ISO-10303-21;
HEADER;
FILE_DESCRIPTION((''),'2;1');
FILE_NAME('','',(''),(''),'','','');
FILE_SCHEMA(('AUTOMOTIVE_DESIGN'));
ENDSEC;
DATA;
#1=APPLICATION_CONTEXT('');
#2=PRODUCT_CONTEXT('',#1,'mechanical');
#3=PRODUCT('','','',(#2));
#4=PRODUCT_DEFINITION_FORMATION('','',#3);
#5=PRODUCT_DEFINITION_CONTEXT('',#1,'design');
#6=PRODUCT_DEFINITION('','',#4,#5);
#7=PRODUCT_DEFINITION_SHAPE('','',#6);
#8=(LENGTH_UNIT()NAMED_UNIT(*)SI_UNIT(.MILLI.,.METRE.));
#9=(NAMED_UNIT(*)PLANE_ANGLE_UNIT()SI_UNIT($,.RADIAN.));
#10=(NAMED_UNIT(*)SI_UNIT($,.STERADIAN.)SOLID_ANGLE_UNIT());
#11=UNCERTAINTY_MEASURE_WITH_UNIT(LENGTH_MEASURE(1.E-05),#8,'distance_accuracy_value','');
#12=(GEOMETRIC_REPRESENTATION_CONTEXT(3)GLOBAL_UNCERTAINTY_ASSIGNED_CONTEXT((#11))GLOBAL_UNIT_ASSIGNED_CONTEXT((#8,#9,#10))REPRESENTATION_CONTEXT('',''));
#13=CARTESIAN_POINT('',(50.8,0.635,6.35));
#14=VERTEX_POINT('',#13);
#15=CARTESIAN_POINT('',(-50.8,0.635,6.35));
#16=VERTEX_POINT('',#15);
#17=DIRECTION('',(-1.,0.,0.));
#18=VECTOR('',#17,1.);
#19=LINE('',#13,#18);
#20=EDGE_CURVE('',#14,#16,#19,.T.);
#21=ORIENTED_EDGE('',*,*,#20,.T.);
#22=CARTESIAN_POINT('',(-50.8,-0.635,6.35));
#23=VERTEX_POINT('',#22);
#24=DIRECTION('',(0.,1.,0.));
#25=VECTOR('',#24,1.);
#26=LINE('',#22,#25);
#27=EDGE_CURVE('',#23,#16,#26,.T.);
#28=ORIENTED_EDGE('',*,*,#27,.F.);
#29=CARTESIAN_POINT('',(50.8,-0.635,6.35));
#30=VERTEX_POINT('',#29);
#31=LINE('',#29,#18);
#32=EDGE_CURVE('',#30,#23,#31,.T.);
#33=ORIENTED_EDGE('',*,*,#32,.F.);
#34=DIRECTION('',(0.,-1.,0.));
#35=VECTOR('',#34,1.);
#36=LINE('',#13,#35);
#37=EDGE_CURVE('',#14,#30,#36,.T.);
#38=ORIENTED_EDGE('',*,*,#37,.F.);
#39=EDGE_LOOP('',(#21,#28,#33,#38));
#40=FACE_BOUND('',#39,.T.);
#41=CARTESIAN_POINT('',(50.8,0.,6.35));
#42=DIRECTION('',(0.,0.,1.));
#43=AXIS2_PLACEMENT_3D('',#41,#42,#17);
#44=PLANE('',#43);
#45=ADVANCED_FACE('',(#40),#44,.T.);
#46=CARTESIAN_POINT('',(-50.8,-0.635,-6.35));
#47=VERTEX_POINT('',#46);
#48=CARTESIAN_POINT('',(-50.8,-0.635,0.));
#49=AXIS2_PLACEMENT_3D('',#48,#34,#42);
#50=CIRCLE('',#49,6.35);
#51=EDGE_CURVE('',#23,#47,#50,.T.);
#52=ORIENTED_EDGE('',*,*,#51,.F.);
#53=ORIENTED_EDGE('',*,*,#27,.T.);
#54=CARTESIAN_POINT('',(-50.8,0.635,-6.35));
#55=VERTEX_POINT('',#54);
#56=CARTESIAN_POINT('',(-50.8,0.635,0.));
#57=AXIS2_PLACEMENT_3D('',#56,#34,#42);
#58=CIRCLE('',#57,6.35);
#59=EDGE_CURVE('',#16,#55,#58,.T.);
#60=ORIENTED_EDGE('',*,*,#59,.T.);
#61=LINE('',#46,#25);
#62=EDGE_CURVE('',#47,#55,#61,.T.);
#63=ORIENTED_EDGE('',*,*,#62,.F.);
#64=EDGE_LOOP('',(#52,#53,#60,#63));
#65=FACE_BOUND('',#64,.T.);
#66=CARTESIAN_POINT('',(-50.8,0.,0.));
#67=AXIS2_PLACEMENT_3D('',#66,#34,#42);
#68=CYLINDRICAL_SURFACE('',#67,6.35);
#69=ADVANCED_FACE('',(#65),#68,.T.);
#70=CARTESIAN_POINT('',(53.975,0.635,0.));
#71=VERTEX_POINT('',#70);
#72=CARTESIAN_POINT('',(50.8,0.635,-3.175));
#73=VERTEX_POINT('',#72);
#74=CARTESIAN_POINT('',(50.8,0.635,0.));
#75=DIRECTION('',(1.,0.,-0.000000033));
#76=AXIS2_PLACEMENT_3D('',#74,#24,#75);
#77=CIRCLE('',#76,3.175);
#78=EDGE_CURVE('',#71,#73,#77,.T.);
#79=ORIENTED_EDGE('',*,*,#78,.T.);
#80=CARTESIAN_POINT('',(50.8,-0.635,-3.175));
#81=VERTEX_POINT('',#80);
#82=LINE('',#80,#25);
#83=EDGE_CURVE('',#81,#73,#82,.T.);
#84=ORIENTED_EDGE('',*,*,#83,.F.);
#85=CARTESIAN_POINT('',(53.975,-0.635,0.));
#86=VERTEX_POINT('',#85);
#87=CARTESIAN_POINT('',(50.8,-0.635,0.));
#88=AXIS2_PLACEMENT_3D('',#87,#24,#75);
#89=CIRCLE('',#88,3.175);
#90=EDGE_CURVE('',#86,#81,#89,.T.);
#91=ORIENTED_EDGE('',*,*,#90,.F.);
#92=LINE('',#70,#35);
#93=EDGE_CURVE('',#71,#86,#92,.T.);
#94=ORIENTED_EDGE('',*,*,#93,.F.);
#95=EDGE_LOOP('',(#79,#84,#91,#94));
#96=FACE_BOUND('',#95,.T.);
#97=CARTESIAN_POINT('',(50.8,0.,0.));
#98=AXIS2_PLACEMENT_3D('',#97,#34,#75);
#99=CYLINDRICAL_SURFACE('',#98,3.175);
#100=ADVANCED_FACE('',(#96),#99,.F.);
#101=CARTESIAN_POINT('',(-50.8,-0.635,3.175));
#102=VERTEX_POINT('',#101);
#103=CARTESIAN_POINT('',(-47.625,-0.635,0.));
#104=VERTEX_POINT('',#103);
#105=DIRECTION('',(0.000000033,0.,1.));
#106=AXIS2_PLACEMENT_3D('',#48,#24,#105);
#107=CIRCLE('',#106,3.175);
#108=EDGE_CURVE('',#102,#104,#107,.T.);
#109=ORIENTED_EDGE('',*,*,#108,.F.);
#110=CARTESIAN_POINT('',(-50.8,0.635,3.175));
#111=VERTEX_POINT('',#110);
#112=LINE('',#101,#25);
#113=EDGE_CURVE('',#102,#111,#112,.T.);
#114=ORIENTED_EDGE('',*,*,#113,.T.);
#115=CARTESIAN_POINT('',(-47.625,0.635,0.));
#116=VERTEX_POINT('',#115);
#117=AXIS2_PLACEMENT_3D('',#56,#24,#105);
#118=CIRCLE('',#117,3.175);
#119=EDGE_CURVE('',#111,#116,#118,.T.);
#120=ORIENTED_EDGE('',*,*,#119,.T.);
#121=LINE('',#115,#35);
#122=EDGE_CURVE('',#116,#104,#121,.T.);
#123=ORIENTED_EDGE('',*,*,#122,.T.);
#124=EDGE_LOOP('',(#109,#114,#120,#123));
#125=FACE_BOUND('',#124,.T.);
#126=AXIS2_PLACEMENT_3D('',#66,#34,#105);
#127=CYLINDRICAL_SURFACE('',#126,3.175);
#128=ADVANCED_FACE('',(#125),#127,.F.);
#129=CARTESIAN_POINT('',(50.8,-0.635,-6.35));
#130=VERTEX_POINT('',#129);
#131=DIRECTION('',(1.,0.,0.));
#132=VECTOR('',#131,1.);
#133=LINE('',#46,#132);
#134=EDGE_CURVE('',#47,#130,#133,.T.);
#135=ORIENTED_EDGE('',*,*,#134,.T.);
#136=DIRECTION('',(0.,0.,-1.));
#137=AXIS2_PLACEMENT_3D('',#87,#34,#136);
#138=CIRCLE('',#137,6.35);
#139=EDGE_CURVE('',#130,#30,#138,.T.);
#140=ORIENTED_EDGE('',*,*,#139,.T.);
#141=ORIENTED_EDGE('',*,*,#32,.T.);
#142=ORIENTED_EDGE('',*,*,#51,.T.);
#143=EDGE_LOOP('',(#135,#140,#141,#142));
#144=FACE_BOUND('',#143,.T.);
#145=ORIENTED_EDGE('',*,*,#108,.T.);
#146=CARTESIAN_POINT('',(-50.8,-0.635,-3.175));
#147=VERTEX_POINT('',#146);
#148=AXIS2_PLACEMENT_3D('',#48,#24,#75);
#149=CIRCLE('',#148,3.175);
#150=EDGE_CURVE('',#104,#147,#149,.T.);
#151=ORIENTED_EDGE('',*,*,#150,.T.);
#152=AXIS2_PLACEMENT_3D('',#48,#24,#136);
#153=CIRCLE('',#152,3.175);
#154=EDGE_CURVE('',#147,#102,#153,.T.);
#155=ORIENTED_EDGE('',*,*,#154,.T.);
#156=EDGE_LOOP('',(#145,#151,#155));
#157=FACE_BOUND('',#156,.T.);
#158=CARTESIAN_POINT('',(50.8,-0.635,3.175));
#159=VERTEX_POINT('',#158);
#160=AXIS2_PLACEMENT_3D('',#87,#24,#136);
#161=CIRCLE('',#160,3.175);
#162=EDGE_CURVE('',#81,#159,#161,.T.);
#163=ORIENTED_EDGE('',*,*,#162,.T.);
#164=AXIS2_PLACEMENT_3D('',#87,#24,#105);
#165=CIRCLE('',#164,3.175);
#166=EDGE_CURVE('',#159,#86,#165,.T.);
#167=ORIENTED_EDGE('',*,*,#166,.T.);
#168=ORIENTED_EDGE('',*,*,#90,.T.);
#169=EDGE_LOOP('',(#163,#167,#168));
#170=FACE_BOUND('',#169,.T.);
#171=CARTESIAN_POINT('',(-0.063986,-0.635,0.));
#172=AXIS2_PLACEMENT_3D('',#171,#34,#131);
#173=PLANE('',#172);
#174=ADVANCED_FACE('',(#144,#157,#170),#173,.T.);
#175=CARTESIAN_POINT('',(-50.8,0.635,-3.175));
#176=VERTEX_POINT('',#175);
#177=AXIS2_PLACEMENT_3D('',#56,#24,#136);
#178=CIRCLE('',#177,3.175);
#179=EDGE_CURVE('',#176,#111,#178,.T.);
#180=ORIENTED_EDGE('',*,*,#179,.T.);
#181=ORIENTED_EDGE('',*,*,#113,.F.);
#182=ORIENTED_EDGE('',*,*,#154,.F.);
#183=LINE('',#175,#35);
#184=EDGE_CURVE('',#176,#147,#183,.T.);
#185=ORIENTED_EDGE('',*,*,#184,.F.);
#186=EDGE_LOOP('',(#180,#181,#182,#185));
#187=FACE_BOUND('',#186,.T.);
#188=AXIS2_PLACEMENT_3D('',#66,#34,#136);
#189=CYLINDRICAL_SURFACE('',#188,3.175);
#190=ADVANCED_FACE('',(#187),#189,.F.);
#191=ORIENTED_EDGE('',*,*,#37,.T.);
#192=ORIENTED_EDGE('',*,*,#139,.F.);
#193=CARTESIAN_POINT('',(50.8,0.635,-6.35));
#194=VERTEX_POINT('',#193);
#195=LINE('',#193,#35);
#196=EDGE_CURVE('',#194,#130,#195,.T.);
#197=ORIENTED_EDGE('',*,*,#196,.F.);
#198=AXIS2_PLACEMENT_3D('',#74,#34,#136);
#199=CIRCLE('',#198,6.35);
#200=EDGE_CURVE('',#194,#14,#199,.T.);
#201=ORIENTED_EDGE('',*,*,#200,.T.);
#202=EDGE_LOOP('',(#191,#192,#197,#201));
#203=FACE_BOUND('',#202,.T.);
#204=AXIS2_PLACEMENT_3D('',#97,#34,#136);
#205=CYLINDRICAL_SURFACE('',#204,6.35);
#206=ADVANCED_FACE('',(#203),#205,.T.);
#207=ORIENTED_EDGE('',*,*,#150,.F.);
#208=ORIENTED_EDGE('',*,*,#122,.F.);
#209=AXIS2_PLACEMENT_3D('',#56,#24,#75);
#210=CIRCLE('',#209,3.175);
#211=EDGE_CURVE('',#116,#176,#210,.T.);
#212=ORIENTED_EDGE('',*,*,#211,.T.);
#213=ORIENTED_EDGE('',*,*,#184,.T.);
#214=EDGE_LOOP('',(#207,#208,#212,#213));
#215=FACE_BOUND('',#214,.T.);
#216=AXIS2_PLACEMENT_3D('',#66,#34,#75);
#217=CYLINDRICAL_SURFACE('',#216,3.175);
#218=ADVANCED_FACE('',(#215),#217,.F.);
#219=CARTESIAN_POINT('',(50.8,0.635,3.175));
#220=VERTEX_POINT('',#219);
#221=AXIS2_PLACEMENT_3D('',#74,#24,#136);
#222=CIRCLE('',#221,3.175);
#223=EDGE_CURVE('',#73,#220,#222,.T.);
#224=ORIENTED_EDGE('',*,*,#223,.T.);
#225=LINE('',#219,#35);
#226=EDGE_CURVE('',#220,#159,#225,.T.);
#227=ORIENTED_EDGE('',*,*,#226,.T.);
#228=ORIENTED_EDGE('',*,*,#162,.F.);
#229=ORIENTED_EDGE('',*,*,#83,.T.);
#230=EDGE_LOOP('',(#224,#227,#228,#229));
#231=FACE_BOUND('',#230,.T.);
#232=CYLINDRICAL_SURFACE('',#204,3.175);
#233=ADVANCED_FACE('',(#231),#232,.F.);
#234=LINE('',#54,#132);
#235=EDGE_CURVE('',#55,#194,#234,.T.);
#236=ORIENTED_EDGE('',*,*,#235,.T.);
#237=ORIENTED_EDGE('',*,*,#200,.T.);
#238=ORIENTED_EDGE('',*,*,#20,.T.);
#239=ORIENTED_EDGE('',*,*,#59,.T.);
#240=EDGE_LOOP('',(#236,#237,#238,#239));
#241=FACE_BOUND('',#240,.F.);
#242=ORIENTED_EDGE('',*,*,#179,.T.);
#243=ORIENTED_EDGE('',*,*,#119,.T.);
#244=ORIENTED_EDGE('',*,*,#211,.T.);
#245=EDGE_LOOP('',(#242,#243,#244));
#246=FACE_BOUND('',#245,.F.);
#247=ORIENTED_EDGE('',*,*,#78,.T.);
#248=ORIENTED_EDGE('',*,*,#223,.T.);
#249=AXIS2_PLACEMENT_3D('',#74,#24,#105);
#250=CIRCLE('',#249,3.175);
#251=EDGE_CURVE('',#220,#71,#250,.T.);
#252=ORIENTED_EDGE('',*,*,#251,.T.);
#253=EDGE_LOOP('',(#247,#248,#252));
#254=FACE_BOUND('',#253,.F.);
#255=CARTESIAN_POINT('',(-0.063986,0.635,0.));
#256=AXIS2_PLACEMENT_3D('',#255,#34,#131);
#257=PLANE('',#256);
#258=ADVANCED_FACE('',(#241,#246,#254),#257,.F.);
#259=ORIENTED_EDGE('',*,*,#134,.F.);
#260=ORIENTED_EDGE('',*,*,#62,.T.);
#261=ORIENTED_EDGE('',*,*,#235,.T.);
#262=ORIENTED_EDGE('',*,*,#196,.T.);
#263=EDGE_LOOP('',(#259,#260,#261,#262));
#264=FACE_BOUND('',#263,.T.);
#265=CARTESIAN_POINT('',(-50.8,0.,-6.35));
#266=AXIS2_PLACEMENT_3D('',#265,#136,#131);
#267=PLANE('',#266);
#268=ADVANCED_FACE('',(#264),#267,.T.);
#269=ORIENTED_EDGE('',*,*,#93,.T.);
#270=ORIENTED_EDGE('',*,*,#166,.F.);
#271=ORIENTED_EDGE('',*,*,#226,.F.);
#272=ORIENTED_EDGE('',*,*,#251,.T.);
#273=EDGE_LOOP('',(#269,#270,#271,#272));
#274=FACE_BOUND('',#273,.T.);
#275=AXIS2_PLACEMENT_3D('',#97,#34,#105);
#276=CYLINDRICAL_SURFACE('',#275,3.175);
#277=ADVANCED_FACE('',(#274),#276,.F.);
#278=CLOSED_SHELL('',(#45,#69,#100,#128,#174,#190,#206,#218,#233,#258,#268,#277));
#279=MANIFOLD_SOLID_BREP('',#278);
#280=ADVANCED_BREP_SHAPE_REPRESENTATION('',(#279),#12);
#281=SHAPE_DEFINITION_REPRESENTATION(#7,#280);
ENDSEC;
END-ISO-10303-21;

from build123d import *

# Parameters (mm, degrees)
F1_DEPTH = 0.635


with BuildPart() as f1:
    # F0 (on Front) → F1 (new body, symmetric)
    with BuildSketch(Plane.XZ):
        with BuildLine():
            Line((-50.8, -6.35), (50.8, -6.35))
            Line((50.8, -6.35), (50.8, -3.175))
            ThreePointArc((50.8, -3.175), (47.625, 0), (50.8, 3.175))
            Line((50.8, 3.175), (50.8, 6.35))
            Line((50.8, 6.35), (-50.8, 6.35))
            Line((-50.8, 6.35), (-50.8, 3.175))
            ThreePointArc((-50.8, 3.175), (-48.554936, 2.245064), (-47.625, 0))
            ThreePointArc((-47.625, 0), (-48.554936, -2.245064), (-50.8, -3.175))
            Line((-50.8, -3.175), (-50.8, -6.35))
        make_face()
        with BuildLine():
            Line((50.8, -3.175), (50.8, -6.35))
            ThreePointArc((50.8, -6.35), (57.15, 0), (50.8, 6.35))
            Line((50.8, 6.35), (50.8, 3.175))
            ThreePointArc((50.8, 3.175), (53.045064, 2.245064), (53.975, 0))
            ThreePointArc((53.975, 0), (53.045064, -2.245064), (50.8, -3.175))
        make_face()
        with BuildLine():
            ThreePointArc((-50.8, 6.35), (-57.15, 0), (-50.8, -6.35))
            Line((-50.8, -6.35), (-50.8, -3.175))
            ThreePointArc((-50.8, -3.175), (-53.975, 0), (-50.8, 3.175))
            Line((-50.8, 3.175), (-50.8, 6.35))
        make_face()
    extrude(amount=F1_DEPTH, both=True)


solid = f1.part
